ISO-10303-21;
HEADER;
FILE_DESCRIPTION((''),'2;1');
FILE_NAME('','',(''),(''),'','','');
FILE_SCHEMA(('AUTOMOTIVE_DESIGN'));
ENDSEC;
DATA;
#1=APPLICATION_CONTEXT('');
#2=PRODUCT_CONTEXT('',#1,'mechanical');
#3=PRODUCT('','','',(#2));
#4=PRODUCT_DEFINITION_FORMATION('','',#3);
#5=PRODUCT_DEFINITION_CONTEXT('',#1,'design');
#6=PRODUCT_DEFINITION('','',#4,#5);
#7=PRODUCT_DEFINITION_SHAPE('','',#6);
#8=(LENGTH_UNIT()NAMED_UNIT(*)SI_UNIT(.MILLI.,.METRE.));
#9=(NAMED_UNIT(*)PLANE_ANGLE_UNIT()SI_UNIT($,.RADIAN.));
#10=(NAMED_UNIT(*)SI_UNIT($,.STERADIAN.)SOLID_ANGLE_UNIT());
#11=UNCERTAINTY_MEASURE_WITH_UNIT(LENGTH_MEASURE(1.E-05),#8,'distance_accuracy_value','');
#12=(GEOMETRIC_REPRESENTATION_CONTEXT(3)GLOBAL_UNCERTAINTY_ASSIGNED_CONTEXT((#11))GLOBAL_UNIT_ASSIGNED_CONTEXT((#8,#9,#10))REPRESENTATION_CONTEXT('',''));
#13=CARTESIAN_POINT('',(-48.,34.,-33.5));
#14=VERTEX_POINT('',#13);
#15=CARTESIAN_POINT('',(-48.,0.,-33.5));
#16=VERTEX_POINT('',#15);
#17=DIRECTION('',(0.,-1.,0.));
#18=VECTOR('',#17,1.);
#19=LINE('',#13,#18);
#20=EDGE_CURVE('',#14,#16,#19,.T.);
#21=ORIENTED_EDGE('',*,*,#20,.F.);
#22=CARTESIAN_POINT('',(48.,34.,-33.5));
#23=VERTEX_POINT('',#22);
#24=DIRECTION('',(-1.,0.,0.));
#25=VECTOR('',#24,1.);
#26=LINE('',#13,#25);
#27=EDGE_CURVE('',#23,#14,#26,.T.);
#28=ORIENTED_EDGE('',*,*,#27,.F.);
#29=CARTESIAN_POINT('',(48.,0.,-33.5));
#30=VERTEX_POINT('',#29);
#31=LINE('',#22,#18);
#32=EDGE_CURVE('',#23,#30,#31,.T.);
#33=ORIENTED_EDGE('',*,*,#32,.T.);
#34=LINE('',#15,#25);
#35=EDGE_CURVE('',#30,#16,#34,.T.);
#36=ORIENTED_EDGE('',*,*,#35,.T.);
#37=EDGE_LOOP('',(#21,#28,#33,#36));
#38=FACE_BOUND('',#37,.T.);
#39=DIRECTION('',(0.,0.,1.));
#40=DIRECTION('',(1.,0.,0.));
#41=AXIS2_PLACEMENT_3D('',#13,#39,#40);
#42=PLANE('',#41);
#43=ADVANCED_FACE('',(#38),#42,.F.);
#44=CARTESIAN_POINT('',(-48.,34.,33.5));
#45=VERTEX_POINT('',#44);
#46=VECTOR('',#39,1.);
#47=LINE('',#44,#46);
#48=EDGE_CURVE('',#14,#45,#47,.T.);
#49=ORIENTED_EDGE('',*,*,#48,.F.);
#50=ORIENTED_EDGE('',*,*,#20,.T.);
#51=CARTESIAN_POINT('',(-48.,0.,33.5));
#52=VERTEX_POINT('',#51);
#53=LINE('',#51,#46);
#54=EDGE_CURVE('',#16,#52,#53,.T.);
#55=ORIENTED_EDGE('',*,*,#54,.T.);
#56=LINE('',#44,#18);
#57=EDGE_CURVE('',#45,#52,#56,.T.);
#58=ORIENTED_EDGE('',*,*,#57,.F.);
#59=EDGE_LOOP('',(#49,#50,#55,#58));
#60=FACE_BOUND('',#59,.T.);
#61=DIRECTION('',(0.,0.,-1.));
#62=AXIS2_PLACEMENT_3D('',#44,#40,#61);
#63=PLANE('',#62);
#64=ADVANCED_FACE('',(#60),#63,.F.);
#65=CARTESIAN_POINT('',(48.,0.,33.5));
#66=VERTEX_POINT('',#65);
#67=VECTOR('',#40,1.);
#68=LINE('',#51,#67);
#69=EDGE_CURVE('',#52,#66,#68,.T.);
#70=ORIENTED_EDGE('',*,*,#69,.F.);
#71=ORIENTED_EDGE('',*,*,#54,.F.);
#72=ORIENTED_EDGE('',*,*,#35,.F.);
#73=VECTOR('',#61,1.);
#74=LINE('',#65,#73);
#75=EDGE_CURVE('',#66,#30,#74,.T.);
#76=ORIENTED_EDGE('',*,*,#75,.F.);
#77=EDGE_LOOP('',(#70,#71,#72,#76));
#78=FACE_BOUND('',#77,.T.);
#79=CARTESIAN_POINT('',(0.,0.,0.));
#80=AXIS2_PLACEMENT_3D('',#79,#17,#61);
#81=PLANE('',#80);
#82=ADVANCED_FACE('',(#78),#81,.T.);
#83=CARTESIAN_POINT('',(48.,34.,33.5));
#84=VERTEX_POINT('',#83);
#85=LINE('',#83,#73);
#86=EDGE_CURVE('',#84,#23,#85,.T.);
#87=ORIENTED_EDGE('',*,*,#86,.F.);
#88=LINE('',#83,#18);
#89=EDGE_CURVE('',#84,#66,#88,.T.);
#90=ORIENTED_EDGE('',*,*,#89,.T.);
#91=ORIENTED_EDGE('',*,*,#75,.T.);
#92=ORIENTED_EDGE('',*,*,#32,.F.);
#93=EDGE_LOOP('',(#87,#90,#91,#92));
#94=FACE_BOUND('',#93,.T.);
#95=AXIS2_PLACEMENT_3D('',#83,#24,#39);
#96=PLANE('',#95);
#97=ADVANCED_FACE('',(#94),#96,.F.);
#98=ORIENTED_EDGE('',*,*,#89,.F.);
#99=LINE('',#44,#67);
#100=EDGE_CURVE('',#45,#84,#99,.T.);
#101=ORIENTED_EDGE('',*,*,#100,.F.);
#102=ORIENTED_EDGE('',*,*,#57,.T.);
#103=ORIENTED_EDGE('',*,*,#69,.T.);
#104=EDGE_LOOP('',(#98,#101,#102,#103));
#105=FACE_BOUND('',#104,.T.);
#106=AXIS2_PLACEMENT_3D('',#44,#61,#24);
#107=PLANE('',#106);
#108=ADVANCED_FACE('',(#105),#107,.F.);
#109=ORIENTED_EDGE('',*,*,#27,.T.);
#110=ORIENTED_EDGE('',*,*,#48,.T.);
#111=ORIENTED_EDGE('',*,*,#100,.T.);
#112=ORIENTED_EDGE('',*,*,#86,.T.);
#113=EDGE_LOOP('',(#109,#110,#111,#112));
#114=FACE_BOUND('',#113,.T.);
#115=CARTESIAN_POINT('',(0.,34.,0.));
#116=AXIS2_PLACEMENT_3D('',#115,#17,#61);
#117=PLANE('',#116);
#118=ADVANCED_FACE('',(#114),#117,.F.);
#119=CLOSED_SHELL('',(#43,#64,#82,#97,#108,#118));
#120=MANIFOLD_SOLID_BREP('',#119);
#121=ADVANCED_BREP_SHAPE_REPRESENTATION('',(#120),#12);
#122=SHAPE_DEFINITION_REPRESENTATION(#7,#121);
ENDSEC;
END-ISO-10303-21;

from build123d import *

# Parameters (mm, degrees)
SKETCH2_W           = 96
SKETCH2_H           = 67
BOSS_EXTRUDE1_DEPTH = 34


with BuildPart() as part:
    # Sketch2 → Boss-Extrude1 (new body)
    with BuildSketch(Plane(origin=(0, 0, 0), x_dir=(1, 0, 0), z_dir=(0, 1, 0))):
        Rectangle(SKETCH2_W, SKETCH2_H)
    extrude(amount=BOSS_EXTRUDE1_DEPTH)


solid = part.part
